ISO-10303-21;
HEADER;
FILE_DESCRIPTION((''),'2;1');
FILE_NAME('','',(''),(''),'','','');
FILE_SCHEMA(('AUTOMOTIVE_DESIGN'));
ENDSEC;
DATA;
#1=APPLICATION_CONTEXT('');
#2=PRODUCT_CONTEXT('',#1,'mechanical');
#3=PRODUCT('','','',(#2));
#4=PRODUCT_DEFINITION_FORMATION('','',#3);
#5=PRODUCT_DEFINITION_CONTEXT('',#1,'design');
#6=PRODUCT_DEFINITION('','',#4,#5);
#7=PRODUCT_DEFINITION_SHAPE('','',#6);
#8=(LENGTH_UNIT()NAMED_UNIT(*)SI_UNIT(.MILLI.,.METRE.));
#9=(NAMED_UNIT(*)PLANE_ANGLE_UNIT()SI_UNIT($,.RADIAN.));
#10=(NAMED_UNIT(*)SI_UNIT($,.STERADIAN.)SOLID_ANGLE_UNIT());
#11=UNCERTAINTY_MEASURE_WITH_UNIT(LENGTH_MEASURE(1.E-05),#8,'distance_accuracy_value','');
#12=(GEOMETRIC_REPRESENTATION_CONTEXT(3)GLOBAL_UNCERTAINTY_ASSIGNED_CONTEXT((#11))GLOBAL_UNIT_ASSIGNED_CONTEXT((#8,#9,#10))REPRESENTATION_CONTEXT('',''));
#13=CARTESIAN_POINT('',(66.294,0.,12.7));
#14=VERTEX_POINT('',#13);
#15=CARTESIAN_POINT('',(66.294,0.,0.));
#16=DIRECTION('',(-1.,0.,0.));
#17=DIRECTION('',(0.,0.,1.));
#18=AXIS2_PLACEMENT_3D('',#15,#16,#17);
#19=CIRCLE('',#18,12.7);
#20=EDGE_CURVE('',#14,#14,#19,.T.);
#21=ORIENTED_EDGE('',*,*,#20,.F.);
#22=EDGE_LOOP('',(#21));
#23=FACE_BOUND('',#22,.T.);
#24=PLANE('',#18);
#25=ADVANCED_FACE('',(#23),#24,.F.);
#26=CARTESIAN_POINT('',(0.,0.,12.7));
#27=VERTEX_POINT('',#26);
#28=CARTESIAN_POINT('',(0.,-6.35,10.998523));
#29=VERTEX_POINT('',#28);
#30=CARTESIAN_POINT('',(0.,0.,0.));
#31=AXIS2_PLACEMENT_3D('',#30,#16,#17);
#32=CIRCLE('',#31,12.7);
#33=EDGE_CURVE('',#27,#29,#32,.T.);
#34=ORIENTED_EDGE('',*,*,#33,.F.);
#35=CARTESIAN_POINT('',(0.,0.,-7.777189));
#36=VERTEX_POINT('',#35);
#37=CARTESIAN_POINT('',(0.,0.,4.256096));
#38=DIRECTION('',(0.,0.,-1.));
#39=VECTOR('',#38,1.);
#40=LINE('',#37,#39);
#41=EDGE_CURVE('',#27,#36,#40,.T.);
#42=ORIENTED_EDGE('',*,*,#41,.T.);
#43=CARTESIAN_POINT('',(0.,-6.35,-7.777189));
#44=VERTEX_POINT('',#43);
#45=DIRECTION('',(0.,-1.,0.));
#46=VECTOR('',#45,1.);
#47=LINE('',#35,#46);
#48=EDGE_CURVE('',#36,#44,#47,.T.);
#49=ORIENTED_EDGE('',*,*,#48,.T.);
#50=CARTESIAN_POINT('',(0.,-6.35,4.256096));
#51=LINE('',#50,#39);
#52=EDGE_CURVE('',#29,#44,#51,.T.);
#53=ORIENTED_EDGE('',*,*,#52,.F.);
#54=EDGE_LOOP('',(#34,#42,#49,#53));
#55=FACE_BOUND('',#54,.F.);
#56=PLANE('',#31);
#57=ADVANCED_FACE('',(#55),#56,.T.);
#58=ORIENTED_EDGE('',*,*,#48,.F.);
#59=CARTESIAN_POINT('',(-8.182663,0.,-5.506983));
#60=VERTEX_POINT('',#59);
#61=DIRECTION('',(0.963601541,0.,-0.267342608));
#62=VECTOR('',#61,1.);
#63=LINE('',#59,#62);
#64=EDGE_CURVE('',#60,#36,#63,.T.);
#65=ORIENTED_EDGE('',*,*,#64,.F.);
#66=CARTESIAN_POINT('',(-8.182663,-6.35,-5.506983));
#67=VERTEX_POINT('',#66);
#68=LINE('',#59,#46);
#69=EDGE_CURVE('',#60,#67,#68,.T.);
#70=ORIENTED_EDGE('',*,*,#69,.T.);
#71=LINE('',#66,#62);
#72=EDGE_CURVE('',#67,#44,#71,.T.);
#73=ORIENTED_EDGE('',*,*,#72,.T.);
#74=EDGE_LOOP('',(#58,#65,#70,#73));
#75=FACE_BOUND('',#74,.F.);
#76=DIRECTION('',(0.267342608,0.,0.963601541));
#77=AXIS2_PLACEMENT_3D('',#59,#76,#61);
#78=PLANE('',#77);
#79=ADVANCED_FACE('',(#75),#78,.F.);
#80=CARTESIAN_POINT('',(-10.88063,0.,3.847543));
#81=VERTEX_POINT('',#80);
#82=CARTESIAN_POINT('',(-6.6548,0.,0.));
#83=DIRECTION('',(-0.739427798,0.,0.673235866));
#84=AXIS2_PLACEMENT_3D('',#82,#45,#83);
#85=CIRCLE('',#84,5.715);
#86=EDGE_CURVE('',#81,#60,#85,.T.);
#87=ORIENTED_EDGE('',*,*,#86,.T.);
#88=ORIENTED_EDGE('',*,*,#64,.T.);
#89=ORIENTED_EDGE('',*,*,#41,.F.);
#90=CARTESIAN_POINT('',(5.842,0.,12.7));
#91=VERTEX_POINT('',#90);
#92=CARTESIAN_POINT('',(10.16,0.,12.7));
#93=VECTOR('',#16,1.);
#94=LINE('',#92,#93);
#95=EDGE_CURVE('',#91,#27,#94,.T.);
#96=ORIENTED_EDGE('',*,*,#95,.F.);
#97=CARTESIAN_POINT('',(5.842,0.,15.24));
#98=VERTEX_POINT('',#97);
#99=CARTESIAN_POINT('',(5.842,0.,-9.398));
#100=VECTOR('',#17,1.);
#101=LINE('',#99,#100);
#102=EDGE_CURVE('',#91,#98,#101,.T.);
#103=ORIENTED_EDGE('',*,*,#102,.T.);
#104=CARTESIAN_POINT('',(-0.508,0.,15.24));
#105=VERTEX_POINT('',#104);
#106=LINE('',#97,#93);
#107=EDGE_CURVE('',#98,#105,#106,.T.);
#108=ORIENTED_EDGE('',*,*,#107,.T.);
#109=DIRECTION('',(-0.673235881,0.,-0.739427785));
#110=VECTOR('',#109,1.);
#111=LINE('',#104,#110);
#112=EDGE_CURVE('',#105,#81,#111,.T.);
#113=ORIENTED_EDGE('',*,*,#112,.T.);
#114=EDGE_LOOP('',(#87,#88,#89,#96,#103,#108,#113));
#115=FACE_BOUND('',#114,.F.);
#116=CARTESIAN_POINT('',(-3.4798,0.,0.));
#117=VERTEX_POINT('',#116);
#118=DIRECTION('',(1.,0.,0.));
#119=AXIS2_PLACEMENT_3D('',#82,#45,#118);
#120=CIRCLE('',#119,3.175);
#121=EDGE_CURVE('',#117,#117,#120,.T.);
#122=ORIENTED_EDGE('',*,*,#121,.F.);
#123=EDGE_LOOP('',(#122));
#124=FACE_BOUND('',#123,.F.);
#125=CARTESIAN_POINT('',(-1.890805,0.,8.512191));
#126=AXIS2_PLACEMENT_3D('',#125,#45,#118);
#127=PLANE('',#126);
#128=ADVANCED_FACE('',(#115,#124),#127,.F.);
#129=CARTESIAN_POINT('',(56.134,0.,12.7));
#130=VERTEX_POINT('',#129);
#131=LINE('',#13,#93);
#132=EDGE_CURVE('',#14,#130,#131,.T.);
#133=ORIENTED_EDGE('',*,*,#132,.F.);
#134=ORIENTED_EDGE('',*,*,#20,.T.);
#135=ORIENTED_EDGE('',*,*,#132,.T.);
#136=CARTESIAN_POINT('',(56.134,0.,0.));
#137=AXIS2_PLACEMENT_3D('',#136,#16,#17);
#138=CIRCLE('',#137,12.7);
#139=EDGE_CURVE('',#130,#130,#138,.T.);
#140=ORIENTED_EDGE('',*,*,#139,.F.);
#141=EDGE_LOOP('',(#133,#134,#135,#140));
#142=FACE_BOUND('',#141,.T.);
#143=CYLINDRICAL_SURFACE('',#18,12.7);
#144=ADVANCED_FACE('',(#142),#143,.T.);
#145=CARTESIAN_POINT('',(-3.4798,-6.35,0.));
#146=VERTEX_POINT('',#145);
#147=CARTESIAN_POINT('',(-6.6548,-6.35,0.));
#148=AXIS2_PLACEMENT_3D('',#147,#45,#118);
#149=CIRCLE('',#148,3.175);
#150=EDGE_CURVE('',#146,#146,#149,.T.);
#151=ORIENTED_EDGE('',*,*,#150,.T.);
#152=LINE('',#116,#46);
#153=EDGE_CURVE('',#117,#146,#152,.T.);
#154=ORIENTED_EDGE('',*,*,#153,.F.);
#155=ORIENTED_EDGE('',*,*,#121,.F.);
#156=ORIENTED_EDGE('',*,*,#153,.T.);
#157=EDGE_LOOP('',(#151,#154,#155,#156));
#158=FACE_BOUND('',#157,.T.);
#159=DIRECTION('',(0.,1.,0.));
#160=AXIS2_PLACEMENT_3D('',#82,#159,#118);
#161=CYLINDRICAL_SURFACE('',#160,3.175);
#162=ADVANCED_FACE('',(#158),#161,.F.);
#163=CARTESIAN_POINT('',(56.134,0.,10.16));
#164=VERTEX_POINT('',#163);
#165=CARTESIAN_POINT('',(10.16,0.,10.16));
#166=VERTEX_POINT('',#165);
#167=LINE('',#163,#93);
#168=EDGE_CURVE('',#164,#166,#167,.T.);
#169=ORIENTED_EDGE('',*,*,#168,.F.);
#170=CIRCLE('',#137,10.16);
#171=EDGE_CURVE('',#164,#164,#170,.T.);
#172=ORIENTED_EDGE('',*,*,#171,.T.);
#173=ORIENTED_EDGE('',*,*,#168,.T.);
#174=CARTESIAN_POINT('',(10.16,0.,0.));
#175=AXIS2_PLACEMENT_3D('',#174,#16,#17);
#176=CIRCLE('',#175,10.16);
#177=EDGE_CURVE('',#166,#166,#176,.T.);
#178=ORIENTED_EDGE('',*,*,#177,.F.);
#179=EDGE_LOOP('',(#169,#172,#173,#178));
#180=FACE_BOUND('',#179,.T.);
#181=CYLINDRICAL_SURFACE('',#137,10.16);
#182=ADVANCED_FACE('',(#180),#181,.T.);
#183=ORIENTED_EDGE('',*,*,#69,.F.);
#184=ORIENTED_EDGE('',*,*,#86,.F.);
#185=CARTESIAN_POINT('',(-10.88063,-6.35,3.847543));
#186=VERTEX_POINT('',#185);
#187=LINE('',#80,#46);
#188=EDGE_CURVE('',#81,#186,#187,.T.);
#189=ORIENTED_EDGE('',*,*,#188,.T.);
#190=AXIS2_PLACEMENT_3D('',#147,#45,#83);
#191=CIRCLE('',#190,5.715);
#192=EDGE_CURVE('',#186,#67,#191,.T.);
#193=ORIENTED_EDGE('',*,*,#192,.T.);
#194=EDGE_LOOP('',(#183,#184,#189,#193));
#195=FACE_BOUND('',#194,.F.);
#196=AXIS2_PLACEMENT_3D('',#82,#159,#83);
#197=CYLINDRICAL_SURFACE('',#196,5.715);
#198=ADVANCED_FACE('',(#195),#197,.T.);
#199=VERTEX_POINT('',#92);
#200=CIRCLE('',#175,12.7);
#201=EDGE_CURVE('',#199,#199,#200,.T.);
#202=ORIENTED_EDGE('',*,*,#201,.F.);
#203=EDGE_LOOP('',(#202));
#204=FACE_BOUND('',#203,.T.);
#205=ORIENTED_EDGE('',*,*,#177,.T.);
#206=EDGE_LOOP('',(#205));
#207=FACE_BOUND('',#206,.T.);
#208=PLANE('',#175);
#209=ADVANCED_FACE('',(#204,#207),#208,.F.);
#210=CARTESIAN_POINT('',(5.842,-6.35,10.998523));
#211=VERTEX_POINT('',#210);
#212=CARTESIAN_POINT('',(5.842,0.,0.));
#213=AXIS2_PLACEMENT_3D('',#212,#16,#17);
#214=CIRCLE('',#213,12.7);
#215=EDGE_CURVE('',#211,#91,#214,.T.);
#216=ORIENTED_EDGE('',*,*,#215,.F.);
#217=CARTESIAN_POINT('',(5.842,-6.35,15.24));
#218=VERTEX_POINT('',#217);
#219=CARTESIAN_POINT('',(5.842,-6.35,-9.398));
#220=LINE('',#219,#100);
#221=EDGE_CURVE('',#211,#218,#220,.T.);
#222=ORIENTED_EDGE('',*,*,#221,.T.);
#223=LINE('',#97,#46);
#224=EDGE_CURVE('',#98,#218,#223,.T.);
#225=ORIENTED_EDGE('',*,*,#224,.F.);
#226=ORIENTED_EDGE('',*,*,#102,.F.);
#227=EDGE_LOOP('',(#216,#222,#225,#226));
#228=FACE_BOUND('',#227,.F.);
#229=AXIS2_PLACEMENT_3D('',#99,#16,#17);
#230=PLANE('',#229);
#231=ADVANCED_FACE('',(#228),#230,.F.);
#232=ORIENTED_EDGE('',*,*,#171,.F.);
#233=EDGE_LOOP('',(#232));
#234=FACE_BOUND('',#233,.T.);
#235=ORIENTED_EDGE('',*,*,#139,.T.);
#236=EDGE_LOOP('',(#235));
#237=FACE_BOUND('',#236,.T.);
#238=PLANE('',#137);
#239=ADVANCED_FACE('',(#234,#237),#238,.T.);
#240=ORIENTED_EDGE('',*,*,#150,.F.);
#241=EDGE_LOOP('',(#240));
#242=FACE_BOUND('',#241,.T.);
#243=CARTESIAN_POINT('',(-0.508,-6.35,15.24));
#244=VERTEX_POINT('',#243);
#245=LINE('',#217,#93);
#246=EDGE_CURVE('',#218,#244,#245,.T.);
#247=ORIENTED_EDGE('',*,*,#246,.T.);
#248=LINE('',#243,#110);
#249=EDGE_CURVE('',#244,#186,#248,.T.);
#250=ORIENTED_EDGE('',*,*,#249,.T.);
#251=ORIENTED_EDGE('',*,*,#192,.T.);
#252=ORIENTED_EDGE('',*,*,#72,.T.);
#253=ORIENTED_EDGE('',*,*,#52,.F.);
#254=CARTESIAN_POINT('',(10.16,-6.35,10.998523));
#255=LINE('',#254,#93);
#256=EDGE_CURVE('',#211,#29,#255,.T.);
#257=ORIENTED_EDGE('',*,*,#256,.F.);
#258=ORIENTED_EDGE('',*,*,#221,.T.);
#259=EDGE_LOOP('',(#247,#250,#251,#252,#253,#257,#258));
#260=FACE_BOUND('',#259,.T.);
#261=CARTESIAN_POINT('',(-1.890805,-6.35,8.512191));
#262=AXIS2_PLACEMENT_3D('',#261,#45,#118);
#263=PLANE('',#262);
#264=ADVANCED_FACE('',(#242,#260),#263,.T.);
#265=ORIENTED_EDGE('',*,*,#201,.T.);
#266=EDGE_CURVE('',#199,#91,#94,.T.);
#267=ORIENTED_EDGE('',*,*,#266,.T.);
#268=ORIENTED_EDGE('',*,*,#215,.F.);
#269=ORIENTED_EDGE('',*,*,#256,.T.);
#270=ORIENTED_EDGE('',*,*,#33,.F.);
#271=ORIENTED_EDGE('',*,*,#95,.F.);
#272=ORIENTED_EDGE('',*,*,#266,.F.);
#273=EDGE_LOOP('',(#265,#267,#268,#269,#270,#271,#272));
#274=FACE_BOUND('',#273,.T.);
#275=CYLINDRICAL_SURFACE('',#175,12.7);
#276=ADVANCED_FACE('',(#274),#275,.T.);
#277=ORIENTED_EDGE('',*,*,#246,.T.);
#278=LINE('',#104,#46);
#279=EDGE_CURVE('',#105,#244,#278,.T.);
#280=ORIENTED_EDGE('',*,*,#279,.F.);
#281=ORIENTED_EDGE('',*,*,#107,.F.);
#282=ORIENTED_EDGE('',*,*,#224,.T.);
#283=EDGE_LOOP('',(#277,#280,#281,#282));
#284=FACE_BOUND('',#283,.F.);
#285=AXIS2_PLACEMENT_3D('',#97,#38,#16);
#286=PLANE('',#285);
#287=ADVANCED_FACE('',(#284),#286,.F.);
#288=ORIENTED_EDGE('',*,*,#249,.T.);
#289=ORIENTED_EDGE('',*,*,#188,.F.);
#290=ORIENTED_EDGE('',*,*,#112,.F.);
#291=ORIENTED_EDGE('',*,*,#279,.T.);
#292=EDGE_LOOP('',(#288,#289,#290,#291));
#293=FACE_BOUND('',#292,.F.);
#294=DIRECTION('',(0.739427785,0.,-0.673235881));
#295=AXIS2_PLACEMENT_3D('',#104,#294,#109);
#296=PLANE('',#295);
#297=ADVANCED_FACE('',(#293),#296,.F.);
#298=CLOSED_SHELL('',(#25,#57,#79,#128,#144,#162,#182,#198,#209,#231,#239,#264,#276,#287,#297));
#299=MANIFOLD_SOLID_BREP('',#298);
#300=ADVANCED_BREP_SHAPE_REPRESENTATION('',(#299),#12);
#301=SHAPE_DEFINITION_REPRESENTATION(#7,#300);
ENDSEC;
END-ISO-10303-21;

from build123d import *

# Parameters (mm, degrees)
F0_W     = 5.842
F0_H     = 12.7
F0_R     = 3.175
F2_DEPTH = 6.35


with BuildPart() as f1:
    # F0 (on Front) → F1 (revolve)
    with BuildSketch(Plane.XZ):
        Polygon((5.842, 12.7), (5.842, 0), (66.294, 0), (66.294, 12.7), (56.134, 12.7), (56.134, 10.16), (10.16, 10.16), (10.16, 12.7), align=None)
        with Locations((2.921, 6.35)):
            Rectangle(F0_W, F0_H)
    revolve(axis=Axis((33.147, 0, 0), (-1, 0, 0)))

    # F0 (on Front) → F2 (join)
    with BuildSketch(Plane.XZ):
        with BuildLine():
            Line((-0.9398, 0), (0, 0))
            Line((0, 0), (0, 12.7))
            Line((0, 12.7), (5.842, 12.7))
            Line((5.842, 12.7), (5.842, 15.24))
            Line((5.842, 15.24), (-0.508, 15.24))
            Line((-0.508, 15.24), (-10.88063, 3.847543))
            ThreePointArc((-10.88063, 3.847543), (-4.591961, 5.329721), (-0.9398, 0))
        make_face()
        with BuildLine():
            Line((5.842, 0), (0, 0))
            Line((0, 0), (-0.9398, 0))
            ThreePointArc((-0.9398, 0), (-3.195791, -4.549339), (-8.182663, -5.506983))
            Line((-8.182663, -5.506983), (5.842, -9.398))
            Line((5.842, -9.398), (5.842, 0))
        make_face()
        with BuildLine():
            ThreePointArc((-8.182663, -5.506983), (-3.195791, -4.549339), (-0.9398, 0))
            ThreePointArc((-0.9398, 0), (-4.591961, 5.329721), (-10.88063, 3.847543))
            ThreePointArc((-10.88063, 3.847543), (-12.145978, -1.583727), (-8.182663, -5.506983))
        make_face()
        with Locations((-6.6548, 0)):
            Circle(F0_R, mode=Mode.SUBTRACT)
        with Locations((2.921, 6.35)):
            Rectangle(F0_W, F0_H)
    extrude(amount=F2_DEPTH)


solid = f1.part
